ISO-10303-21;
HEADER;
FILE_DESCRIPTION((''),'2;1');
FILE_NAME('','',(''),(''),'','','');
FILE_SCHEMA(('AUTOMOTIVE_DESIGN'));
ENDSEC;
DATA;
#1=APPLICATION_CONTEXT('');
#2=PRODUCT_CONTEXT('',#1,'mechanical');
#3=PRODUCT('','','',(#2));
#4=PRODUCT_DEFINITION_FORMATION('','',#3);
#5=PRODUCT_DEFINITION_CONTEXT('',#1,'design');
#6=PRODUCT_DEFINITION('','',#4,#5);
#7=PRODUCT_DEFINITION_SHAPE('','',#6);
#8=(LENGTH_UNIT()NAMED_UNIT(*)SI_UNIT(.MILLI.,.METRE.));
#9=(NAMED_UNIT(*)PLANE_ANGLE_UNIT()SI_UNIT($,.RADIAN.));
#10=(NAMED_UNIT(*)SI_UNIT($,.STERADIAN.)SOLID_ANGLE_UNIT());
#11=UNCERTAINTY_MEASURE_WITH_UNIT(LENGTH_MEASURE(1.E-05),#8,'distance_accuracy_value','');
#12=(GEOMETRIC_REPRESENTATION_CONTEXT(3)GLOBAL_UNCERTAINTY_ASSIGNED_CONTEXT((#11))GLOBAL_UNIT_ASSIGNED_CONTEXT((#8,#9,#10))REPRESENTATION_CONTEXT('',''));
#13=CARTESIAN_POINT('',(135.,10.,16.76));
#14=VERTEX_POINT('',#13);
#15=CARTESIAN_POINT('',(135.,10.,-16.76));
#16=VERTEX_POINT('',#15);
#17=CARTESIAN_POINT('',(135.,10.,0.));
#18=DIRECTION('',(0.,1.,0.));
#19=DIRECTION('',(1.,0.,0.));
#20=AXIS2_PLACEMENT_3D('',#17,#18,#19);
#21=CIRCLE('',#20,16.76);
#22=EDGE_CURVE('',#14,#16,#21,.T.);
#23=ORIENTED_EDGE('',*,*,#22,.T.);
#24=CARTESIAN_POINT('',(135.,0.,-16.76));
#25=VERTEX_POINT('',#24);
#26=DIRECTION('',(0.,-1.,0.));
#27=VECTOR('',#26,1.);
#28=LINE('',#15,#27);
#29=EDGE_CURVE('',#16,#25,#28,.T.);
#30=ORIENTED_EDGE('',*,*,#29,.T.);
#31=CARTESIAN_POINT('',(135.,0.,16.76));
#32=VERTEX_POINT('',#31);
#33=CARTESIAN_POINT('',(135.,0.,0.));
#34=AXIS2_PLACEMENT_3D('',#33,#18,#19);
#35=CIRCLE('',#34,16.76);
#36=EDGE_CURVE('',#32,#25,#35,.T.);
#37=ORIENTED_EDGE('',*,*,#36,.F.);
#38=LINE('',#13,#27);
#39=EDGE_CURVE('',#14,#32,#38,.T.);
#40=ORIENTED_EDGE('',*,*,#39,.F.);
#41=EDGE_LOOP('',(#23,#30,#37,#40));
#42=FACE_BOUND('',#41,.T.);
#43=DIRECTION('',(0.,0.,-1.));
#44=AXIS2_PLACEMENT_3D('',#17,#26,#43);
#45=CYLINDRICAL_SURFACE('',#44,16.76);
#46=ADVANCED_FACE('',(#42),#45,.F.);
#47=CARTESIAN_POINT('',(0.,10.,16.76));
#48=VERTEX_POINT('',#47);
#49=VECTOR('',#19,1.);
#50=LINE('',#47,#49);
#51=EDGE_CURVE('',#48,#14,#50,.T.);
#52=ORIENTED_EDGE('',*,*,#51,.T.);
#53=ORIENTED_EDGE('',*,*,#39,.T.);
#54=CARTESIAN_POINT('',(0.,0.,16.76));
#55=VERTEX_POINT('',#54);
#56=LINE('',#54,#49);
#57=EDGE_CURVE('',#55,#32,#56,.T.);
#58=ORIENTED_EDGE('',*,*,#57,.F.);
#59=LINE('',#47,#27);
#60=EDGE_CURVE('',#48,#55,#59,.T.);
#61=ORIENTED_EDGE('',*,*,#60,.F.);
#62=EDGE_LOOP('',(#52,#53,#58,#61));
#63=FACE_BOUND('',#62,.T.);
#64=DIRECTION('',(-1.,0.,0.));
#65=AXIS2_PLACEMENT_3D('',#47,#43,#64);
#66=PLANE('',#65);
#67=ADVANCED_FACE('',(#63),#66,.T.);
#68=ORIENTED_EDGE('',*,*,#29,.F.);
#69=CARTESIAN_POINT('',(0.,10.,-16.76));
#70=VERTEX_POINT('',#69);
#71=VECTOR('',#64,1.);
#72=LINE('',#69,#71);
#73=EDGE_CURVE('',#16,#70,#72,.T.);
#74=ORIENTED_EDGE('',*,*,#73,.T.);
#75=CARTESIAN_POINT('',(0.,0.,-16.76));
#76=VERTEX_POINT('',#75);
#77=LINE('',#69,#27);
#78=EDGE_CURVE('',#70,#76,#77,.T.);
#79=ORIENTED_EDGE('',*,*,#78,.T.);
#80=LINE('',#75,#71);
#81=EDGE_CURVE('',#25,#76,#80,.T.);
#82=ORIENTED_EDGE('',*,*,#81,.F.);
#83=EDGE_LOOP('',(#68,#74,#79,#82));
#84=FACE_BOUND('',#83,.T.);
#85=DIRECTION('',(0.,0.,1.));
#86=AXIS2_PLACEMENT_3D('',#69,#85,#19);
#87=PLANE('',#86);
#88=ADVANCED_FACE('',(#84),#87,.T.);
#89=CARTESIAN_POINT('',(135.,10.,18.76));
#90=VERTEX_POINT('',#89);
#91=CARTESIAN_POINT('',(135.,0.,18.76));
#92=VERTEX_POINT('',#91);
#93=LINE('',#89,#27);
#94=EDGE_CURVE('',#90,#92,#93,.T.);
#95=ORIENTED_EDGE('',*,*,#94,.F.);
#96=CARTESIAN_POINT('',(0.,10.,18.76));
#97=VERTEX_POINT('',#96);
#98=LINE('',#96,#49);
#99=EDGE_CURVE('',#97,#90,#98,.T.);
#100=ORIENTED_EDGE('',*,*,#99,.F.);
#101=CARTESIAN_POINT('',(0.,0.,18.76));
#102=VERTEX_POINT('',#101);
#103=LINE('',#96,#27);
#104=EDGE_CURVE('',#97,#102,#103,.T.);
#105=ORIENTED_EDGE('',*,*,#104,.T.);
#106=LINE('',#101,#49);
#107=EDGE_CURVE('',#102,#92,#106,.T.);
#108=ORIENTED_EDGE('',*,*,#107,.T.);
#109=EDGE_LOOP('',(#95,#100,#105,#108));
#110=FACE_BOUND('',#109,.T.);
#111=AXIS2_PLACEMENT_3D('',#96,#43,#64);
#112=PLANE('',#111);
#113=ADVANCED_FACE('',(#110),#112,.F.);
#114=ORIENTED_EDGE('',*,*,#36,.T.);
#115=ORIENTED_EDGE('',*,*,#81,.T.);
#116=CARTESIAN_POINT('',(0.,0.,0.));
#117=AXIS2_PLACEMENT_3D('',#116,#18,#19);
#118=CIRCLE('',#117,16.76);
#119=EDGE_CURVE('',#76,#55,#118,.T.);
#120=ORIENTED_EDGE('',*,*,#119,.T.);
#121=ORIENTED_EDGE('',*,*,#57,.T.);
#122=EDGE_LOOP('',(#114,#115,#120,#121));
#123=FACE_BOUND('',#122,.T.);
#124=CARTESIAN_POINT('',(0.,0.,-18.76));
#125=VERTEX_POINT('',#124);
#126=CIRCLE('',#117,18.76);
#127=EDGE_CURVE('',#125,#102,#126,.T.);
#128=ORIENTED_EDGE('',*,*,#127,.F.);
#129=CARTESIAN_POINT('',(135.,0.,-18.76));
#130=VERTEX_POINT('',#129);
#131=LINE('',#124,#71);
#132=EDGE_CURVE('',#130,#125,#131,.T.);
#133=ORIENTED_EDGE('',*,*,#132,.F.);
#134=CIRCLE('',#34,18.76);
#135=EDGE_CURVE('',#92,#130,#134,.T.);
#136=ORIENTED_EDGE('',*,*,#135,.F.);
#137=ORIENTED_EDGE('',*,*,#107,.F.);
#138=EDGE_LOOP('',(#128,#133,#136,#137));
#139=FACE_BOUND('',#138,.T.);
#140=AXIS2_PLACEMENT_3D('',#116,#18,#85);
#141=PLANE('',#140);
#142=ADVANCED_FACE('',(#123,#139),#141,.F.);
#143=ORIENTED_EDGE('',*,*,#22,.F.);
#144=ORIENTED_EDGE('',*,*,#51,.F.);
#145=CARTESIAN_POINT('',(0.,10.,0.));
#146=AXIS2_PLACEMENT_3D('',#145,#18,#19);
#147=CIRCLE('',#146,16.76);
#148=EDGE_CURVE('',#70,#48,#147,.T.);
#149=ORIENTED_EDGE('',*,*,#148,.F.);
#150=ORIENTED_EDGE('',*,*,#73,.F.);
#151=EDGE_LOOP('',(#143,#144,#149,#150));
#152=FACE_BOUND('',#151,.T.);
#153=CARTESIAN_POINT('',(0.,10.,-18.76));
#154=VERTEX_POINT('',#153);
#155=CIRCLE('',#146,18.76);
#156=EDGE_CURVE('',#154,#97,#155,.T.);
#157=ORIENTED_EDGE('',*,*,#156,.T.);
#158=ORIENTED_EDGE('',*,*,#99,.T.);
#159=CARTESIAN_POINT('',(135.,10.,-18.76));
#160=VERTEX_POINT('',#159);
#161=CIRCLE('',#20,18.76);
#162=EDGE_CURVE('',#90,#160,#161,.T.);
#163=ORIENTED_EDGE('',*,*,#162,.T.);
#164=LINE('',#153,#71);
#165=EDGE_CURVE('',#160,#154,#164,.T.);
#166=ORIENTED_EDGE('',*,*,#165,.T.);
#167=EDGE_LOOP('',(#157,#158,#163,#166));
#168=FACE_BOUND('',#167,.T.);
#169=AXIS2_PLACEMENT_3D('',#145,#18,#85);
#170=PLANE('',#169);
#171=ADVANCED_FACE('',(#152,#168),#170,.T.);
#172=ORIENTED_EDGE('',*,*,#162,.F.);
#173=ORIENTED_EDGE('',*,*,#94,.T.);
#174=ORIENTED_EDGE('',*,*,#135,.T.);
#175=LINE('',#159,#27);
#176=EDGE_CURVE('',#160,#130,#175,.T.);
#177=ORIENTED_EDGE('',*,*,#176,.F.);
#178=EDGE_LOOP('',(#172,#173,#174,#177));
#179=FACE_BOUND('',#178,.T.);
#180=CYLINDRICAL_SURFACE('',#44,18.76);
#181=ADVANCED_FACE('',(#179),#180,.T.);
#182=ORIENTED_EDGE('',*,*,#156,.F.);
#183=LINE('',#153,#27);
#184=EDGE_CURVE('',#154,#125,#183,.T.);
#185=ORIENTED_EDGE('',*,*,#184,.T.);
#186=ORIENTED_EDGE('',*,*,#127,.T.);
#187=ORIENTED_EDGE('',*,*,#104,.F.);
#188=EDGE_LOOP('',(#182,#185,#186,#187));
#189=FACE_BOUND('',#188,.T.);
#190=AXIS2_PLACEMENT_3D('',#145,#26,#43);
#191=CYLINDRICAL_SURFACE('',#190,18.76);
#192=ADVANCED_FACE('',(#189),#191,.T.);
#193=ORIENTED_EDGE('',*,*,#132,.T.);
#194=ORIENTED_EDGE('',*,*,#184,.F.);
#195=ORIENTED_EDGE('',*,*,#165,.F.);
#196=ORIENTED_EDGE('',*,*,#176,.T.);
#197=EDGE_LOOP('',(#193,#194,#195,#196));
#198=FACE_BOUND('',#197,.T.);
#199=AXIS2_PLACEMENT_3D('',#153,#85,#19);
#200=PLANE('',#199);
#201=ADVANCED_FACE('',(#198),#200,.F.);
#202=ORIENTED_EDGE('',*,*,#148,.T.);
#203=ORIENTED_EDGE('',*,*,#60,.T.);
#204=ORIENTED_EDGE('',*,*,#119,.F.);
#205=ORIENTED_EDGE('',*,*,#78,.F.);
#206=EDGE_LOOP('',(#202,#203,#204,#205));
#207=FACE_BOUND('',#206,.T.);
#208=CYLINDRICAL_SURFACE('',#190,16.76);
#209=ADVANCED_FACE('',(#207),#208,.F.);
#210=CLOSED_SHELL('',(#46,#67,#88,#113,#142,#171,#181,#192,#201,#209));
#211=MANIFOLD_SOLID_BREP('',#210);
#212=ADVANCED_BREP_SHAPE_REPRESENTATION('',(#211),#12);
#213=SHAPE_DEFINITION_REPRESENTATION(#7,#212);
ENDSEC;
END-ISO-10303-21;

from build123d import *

# Parameters (mm, degrees)
EXTRUDE_1_DEPTH = 10


with BuildPart() as part:
    # 草图1 → 拉伸-薄壁1 (new body)
    with BuildSketch(Plane(origin=(0, 0, 0), x_dir=(1, 0, 0), z_dir=(0, 1, 0))):
        with BuildLine():
            Line((135, -18.76), (0, -18.76))
            ThreePointArc((0, -18.76), (-18.76, 0), (0, 18.76))
            Line((0, 18.76), (135, 18.76))
            ThreePointArc((135, 18.76), (153.76, 0), (135, -18.76))
        make_face()
        with BuildLine():
            Line((135, -16.76), (0, -16.76))
            ThreePointArc((0, -16.76), (-16.76, 0), (0, 16.76))
            Line((0, 16.76), (135, 16.76))
            ThreePointArc((135, 16.76), (151.76, 0), (135, -16.76))
        make_face(mode=Mode.SUBTRACT)
    extrude(amount=EXTRUDE_1_DEPTH)


solid = part.part
